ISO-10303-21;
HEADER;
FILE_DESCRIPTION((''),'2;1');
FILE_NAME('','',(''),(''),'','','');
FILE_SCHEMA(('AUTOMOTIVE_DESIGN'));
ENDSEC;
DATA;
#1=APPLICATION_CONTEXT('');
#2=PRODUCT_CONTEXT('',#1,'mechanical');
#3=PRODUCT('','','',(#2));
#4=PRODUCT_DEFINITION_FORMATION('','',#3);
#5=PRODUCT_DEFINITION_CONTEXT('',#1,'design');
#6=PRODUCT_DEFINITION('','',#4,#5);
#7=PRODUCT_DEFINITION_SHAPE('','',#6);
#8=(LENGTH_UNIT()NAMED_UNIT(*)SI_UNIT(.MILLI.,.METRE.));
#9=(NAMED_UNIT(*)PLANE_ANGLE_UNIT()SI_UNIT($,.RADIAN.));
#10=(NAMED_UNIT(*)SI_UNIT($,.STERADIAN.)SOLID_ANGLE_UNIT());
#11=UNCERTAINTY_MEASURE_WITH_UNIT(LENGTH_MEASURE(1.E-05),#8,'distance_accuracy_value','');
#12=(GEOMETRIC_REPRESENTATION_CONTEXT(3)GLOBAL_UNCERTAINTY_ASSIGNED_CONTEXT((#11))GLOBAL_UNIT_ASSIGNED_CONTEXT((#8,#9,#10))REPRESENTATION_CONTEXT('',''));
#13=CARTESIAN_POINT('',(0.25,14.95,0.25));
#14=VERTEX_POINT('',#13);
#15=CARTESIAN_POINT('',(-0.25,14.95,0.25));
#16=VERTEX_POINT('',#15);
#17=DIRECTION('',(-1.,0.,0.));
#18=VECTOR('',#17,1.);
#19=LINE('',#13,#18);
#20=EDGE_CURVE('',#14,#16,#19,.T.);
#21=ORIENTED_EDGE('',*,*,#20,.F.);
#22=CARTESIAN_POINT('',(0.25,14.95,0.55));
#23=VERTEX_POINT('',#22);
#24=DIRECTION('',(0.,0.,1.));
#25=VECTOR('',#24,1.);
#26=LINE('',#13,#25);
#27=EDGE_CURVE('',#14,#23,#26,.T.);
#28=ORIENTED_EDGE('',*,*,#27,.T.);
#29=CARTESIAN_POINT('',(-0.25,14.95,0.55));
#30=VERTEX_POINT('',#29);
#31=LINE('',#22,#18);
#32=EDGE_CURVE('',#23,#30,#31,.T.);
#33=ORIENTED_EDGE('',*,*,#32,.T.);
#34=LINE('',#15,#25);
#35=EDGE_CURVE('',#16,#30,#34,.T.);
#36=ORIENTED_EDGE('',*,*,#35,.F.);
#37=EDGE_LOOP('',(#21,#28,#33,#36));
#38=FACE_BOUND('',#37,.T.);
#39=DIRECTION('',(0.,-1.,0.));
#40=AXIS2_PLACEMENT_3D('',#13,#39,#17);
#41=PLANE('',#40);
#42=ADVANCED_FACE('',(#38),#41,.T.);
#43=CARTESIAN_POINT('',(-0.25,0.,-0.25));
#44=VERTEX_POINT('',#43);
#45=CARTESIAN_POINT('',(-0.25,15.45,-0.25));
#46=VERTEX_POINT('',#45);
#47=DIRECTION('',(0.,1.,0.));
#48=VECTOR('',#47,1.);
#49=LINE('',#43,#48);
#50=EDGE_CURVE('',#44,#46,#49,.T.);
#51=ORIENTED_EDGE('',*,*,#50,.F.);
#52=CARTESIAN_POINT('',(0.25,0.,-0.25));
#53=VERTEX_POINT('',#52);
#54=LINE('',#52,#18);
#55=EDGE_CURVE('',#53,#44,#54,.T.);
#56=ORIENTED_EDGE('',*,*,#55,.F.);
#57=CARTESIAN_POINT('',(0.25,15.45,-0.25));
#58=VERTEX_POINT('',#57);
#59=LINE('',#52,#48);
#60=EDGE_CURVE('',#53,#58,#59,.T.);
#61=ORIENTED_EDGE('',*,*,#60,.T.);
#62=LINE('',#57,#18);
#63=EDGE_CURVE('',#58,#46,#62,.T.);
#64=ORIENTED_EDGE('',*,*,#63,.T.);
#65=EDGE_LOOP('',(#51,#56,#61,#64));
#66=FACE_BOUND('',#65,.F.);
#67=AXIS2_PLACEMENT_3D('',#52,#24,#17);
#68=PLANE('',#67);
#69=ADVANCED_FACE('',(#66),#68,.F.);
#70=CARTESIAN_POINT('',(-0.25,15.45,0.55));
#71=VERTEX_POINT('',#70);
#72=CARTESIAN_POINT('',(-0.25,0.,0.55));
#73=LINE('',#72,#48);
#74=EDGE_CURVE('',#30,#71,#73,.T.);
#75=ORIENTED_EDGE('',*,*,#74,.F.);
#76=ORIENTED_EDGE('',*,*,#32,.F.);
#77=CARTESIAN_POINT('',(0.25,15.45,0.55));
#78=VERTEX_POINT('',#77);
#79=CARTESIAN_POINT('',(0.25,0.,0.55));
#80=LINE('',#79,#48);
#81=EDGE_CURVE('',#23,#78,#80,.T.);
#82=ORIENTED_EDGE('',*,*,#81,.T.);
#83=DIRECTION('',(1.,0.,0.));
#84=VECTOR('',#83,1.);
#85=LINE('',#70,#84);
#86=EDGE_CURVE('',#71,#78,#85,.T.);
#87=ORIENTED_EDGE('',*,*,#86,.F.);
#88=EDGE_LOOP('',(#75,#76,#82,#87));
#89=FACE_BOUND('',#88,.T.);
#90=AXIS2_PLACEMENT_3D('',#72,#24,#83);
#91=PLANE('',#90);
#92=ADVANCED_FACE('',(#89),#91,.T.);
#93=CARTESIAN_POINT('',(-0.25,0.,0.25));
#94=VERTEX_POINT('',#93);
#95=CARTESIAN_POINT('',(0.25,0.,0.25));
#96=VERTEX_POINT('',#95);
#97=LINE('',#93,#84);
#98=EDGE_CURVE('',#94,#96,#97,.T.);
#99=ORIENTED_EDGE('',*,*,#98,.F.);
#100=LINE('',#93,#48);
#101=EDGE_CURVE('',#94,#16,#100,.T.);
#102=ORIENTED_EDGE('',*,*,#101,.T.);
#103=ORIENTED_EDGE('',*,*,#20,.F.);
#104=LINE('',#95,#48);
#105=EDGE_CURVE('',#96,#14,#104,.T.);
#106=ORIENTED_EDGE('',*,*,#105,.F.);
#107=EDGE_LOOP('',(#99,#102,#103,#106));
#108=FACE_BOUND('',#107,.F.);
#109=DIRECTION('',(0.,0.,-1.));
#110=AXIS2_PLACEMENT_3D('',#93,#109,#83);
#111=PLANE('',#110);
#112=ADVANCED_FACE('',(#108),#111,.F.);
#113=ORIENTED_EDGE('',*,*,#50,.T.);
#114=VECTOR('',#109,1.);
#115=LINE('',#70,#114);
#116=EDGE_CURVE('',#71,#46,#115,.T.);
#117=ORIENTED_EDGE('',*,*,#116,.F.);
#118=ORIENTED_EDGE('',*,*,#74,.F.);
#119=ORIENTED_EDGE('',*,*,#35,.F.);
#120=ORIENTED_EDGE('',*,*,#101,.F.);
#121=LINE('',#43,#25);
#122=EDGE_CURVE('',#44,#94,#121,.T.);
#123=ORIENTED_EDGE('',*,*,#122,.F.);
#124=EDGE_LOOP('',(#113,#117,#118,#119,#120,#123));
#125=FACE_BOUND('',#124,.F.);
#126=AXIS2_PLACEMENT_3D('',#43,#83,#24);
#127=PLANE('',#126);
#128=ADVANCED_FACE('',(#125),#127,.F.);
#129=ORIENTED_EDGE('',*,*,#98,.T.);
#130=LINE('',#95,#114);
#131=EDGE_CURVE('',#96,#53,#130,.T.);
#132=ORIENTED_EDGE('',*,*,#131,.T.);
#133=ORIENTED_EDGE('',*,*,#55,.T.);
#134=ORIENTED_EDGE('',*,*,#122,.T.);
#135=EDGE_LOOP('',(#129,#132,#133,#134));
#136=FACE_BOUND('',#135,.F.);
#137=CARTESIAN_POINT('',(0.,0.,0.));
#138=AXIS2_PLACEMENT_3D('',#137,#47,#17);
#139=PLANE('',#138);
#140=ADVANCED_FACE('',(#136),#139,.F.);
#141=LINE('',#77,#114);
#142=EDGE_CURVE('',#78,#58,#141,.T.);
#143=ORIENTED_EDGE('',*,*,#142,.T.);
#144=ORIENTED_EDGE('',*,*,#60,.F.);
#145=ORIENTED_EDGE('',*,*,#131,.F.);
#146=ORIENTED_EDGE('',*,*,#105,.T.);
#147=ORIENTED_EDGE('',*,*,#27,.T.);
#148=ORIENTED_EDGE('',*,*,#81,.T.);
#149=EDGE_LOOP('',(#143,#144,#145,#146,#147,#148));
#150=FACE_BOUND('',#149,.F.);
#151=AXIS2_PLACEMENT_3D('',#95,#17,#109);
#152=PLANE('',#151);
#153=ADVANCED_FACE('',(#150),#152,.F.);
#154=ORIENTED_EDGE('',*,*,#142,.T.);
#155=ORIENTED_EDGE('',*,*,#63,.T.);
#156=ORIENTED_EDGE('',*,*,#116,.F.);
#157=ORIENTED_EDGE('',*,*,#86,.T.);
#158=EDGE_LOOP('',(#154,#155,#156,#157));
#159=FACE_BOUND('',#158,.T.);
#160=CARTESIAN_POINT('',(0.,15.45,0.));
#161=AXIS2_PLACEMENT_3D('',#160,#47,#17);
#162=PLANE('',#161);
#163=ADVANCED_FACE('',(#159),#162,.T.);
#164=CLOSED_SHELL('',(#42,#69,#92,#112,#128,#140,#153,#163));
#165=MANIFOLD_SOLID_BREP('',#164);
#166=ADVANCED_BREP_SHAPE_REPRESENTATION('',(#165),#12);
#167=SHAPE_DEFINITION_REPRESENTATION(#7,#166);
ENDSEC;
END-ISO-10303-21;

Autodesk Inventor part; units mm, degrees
ref_plane "YZ Plane" through (0, 0, 0) normal (1, 0, 0) x (0, 1, 0)
ref_plane "XZ Plane" through (0, 0, 0) normal (0, 1, 0) x (-1, 0, 0)
ref_plane "XY Plane" through (0, 0, 0) normal (0, 0, 1) x (1, 0, 0)
sketch "Sketch1" plane through (0, 0, 0) normal (0, 1, 0) x (-1, 0, 0)
  line L0 (0.25, 0.25) -> (-0.25, 0.25)
  line L1 (-0.25, 0.25) -> (-0.25, -0.25)
  line L2 (-0.25, -0.25) -> (0.25, -0.25)
  line L3 (0.25, -0.25) -> (0.25, 0.25)
  line L4 (0.25, 0.25) -> (-0.25, -0.25) construction
  line L5 (-0.25, 0.25) -> (0.25, -0.25) construction
  point P0 (0, 0)
  dimension "d0" = 0.5
  dimension "d1" = 0.5
extrude "Extrusion1" add sketch "Sketch1" along normal blind 15.45
sketch "Sketch2" plane through (-0.25, 0, 0.25) normal (0, 0, 1) x (1, 0, 0)
  line L0 (0, 0) -> (0, 15.45) projected
  line L1 (0.5, 0) -> (0.5, 15.45) projected
  line L2 (0, 15.45) -> (0.5, 15.45)
  line L3 (0.5, 15.45) -> (0.5, 14.95)
  line L4 (0.5, 14.95) -> (0, 14.95)
  line L5 (0, 14.95) -> (0, 15.45)
  point P0 (0.25, 0)
  point P1 (0, 14.95)
  dimension "d4" = 0.5
extrude "Extrusion2" add sketch "Sketch2" along normal blind 0.3
properties part number "jst-ph-5p_wire"
